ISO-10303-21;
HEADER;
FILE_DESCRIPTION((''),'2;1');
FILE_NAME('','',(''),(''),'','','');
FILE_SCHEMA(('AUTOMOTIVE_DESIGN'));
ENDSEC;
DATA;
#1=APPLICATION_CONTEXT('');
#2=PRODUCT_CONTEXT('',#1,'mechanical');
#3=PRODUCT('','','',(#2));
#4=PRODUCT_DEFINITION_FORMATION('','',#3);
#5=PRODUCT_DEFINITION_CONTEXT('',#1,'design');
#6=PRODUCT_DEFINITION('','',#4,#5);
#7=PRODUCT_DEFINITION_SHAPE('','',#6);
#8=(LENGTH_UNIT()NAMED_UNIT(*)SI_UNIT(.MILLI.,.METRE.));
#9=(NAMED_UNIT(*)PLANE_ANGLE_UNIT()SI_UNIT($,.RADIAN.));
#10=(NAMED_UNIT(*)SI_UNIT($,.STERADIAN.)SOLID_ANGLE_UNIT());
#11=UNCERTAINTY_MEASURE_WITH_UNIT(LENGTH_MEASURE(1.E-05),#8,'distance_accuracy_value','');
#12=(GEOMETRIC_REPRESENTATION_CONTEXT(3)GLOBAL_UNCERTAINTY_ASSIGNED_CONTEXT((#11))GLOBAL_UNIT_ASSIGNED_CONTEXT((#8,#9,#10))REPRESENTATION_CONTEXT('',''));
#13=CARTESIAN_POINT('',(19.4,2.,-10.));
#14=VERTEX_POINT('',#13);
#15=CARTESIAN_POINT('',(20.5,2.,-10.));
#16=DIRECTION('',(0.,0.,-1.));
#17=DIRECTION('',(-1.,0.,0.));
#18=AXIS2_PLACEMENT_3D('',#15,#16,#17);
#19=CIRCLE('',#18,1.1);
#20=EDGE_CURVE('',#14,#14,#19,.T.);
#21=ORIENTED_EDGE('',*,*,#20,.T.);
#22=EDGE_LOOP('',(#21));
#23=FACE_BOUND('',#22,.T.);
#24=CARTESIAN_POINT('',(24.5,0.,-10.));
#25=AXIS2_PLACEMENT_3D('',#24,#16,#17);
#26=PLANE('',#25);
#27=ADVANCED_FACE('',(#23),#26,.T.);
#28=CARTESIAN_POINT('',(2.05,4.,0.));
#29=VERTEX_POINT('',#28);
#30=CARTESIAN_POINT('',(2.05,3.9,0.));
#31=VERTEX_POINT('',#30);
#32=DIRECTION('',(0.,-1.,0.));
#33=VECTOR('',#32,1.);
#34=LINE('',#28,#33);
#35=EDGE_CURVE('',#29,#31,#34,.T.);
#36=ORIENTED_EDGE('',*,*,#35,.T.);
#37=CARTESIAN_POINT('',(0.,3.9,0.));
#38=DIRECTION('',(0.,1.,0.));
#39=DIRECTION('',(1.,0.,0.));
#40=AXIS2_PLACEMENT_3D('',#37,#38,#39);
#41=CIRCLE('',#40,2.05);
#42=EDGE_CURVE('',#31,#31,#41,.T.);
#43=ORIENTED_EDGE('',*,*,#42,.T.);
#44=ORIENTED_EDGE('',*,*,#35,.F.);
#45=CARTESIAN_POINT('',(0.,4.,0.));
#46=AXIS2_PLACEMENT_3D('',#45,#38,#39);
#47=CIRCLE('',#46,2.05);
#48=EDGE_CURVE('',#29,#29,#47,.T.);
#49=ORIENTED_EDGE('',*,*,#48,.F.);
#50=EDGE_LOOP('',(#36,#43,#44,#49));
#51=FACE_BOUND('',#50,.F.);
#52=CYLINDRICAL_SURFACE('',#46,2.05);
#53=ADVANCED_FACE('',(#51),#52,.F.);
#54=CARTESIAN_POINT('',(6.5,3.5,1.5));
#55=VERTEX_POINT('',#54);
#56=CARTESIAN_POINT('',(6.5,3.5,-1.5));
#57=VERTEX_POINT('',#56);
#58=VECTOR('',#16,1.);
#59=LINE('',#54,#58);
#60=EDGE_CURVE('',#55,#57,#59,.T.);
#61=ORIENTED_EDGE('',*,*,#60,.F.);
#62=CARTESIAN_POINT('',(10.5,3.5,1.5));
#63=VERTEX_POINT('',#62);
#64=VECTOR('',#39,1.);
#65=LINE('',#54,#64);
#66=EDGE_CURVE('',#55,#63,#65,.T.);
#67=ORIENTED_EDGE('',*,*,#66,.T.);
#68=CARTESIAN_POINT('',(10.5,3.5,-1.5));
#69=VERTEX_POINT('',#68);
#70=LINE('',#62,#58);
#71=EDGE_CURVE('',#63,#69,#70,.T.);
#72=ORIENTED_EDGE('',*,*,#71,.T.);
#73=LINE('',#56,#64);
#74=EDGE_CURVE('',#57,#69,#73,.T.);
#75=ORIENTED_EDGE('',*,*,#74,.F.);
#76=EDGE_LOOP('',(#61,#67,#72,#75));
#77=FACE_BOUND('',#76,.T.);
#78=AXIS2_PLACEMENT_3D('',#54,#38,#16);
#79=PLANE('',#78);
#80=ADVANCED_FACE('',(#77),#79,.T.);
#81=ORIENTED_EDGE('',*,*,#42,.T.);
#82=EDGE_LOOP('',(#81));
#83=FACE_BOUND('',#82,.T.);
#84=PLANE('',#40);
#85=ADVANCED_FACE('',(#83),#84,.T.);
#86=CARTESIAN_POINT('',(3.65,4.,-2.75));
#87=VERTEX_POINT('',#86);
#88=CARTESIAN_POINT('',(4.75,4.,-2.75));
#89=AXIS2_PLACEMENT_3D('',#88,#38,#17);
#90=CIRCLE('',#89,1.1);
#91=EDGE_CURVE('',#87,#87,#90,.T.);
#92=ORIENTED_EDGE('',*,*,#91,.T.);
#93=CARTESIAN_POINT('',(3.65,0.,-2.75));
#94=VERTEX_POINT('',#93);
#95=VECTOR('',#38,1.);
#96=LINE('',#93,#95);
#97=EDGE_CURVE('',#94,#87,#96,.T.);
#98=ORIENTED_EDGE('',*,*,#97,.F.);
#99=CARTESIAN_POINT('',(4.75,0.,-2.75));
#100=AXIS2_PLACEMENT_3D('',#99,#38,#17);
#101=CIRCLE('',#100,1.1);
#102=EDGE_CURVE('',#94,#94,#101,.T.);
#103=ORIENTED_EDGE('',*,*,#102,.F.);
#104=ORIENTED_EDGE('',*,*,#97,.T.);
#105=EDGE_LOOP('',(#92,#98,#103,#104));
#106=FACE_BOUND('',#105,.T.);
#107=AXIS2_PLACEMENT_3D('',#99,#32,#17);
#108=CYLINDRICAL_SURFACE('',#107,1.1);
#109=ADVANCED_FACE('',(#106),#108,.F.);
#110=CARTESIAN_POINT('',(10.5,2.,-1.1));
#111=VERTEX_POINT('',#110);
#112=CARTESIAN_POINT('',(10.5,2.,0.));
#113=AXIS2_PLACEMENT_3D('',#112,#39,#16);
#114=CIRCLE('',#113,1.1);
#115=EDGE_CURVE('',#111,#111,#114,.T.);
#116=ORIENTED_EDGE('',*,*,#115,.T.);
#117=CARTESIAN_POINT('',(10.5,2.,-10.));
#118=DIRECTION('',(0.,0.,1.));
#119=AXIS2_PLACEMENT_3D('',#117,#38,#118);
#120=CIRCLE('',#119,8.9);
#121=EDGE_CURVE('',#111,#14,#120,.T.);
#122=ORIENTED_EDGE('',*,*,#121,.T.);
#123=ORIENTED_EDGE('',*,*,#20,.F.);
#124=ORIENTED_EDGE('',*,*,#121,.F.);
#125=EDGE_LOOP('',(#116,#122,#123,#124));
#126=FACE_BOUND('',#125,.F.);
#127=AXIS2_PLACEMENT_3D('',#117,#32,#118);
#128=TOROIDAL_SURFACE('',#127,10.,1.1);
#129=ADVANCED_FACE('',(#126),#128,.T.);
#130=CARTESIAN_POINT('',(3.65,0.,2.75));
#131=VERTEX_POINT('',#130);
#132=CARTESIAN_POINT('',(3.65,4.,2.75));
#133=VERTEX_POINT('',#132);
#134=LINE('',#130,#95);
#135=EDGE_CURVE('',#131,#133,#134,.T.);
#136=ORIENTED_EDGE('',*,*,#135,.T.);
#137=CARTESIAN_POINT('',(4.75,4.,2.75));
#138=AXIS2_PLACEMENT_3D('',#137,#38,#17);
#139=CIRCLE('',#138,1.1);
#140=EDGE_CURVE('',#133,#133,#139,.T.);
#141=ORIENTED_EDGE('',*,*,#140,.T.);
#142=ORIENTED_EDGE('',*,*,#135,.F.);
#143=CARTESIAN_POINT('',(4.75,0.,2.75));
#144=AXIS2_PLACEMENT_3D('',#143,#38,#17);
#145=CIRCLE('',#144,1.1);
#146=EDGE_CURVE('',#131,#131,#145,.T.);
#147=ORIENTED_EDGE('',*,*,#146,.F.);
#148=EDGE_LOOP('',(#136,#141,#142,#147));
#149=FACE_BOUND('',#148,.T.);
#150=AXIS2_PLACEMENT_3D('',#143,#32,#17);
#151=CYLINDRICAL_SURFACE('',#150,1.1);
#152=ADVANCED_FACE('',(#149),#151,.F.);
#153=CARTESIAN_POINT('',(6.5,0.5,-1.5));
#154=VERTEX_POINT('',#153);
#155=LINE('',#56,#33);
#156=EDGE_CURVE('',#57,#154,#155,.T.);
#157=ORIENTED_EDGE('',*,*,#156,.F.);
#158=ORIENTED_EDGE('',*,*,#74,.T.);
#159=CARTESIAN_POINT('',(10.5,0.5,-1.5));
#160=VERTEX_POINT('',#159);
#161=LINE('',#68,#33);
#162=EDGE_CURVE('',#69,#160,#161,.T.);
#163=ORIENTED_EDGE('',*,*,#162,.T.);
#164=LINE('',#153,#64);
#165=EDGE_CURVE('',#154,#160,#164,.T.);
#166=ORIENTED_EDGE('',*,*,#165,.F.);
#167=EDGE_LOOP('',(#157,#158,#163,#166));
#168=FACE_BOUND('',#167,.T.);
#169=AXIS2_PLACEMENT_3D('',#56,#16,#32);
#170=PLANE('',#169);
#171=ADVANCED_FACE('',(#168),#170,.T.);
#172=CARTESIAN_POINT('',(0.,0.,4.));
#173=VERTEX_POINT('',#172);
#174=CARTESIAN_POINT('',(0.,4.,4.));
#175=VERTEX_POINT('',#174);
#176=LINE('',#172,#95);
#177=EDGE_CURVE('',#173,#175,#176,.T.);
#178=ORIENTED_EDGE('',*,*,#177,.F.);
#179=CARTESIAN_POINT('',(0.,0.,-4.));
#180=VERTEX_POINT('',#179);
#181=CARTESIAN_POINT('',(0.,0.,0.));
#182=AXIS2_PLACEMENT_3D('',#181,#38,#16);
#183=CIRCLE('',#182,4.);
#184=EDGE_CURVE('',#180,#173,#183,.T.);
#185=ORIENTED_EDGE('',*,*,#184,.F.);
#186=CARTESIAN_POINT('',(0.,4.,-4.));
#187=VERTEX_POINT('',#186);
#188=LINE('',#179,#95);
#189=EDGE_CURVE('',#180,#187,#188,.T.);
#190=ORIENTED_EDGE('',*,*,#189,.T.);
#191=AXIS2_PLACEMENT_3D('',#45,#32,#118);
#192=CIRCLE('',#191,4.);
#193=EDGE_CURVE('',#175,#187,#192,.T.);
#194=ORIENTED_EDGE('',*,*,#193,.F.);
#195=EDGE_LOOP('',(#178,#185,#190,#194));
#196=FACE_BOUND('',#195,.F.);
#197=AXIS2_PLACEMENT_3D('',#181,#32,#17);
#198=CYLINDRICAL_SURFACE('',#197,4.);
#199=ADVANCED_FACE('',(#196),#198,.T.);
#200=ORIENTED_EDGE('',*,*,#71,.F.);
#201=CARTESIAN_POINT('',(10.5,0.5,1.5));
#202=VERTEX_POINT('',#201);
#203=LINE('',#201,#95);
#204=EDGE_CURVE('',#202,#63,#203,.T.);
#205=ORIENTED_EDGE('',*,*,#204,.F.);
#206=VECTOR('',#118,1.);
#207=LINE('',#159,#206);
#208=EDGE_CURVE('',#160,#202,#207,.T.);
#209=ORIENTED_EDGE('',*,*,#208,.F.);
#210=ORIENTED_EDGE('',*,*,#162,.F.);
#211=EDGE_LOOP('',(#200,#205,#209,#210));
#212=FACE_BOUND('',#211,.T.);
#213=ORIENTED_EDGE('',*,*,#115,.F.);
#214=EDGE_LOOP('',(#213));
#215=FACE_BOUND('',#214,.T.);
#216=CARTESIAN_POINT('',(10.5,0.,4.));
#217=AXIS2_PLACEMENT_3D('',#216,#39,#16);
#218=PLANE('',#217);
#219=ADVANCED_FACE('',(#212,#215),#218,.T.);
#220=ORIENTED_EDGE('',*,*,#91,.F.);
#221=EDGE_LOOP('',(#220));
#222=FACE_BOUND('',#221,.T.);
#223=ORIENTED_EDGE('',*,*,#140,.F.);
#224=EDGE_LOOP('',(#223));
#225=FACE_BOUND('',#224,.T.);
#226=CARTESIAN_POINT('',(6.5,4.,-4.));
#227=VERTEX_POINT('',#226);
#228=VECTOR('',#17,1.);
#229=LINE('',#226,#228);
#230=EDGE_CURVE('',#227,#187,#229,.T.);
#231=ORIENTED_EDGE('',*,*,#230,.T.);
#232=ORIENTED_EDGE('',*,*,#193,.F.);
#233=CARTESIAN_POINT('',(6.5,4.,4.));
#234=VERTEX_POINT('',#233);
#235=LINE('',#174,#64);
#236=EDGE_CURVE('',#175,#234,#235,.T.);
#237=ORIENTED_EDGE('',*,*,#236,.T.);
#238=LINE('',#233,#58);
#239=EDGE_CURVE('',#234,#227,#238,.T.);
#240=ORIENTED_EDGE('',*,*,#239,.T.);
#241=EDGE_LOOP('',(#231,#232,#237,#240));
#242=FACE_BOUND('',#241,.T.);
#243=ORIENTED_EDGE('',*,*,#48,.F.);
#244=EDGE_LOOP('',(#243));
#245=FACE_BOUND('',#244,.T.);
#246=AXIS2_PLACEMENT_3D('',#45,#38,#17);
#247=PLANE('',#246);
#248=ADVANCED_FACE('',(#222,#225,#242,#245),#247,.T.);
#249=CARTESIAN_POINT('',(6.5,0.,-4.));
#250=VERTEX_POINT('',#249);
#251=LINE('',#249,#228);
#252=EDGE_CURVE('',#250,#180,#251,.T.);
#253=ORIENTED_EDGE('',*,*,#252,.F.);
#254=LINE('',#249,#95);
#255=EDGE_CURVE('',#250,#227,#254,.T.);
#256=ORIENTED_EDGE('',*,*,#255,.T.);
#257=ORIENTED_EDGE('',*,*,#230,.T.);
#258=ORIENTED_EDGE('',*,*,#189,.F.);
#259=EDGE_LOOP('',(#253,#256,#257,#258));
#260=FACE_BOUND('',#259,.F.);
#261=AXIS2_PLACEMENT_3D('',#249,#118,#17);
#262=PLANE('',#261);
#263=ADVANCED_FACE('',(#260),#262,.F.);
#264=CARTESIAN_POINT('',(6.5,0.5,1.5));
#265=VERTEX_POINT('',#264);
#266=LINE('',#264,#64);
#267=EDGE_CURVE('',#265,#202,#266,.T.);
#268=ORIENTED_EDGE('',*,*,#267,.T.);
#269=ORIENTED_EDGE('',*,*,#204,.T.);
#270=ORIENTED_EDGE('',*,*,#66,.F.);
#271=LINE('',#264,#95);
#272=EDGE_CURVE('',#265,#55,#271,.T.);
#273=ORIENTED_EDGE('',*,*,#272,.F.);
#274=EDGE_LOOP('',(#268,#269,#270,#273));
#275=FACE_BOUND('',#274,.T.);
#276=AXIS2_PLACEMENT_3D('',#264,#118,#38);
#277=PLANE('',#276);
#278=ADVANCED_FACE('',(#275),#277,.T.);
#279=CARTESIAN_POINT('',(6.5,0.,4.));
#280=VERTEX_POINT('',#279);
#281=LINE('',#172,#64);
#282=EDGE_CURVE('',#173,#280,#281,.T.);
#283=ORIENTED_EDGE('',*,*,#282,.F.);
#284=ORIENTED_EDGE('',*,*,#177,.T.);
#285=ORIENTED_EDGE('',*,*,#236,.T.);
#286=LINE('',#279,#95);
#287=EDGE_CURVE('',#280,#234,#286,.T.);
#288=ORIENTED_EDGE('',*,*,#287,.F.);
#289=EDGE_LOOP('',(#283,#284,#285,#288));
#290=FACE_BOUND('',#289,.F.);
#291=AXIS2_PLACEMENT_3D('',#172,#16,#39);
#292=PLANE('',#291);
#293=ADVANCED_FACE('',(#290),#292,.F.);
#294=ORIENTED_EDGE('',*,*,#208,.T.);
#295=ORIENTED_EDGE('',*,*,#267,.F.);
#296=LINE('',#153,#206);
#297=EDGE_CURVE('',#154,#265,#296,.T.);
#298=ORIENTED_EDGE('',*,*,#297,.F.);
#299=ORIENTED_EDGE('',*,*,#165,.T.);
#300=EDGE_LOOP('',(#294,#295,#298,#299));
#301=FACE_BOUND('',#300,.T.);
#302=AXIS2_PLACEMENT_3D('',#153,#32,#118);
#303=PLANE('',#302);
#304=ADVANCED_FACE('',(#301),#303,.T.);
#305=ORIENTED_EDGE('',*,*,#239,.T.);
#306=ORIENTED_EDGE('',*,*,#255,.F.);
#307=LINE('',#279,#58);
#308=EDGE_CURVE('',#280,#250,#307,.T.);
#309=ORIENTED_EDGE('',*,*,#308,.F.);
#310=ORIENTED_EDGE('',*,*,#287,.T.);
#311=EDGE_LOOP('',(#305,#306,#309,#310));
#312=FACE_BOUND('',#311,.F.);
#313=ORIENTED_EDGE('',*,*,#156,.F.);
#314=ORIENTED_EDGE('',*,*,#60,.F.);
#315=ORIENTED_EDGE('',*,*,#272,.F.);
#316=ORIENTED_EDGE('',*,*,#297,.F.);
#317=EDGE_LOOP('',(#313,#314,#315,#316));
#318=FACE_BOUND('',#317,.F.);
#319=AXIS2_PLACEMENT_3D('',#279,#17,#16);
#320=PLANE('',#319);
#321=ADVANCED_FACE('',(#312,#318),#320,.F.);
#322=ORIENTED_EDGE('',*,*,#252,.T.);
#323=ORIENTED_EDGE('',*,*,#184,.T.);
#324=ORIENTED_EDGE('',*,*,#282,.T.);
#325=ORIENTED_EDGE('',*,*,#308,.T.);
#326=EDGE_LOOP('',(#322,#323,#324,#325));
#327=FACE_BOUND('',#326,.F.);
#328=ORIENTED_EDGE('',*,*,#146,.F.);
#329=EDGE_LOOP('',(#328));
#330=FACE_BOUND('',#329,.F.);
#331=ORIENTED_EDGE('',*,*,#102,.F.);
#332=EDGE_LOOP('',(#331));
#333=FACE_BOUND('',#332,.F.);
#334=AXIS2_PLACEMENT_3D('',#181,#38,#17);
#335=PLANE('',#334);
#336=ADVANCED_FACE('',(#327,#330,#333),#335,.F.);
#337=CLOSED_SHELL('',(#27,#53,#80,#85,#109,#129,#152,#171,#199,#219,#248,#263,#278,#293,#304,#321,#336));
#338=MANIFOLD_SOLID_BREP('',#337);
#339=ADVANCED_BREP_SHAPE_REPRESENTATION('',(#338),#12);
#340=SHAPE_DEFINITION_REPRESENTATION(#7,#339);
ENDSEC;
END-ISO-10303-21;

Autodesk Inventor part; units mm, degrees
ref_plane "YZ Plane" through (0, 0, 0) normal (1, 0, 0) x (0, 1, 0)
sketch "Sketch1" plane through (0, 0, 0) normal (0, 1, 0) x (-1, 0, 0)
  circle A0 centre (0, 0) radius 4
  line L0 (0, 4) -> (-6.5, 4)
  line L1 (-6.5, 4) -> (-6.5, -4)
  line L2 (-6.5, -4) -> (0, -4)
  line L3 (0, -4) -> (0, 4)
  circle A1 centre (-4.75, 2.75) radius 1.1
  circle A2 centre (-4.75, -2.75) radius 1.1
  point P0 (-6.5, 0)
  dimension "d0" = 8
  dimension "d1" = 6.5
  dimension "d2" = 5.5
  dimension "d3" = 2.75
  dimension "d4" = 1.75
  dimension "d5" = 1.75
  dimension "d6" = 2.2
  dimension "d7" = 2.2
extrude "Extrusion1" add sketch "Sketch1" along normal blind 4
sketch "Sketch2" plane through (6.5, 0, 4) normal (1, 0, 0) x (0, 0, -1)
  line L0 (2.5, 3.5) -> (5.5, 3.5)
  line L1 (5.5, 3.5) -> (5.5, 0.5)
  line L2 (5.5, 0.5) -> (2.5, 0.5)
  line L3 (2.5, 0.5) -> (2.5, 3.5)
  line L4 (0, 4) -> (8, 4) projected
  line L5 (8, 0) -> (8, 4) projected
  point P0 (4, 0)
  dimension "d10" = 3
  dimension "d11" = 3
  dimension "d12" = 0.5
  dimension "d13" = 5.5
extrude "Extrusion2" add sketch "Sketch2" along normal blind 4
sketch "Sketch3" plane through (0, 4, 0) normal (0, 1, 0) x (1, 0, 0)
  circle A0 centre (0, 0) radius 2.05
  dimension "d16" = 4.1
extrude "Extrusion3" cut sketch "Sketch3" against normal blind 0.1
sketch "Sketch4" plane through (10.5, 0, 4) normal (1, 0, 0) x (0, 0, -1)
  circle A0 centre (4, 2) radius 1.1
  point P0 (4, 0)
  dimension "d19" = 2.2
ref_plane "Work Plane2" through (6.5, 0.5, -10) normal (0, 0, 1) x (1, 0, 0)
ref_plane "Work Plane1" through (6.5, 0.5, 0) normal (0, 0, 1) x (1, 0, 0)
sketch "Sketch5" plane through (6.5, 0.5, -10) normal (0, 0, 1) x (1, 0, 0)
  circle A0 centre (14, 1.7321) radius 1.1
  line L0 (4, 0) -> (4, 3) projected
  point P0 (-6.5, -0.5)
  dimension "d23" = 10
  dimension "d24" = 2.2
ref_plane "Work Plane3" through (6.5, 2, -1.5) normal (0, -1, 0) x (1, 0, 0)
sketch "Sketch6" plane through (6.5, 2, -1.5) normal (0, -1, 0) x (1, 0, 0)
  circle A0 centre (4, -8.5) radius 10
  line L0 (4, 3) -> (4, 0) projected
  point P0 (-6.5, 1.5)
  point P1 (4, 1.5)
  dimension "d25" = 20
  dimension "d26" = 10
revolve "Revolution1" add sketch "Sketch4" angle 90 about axis through (10.5, 0.5, -10) along (0, 1, 0)
equation "\"d3\" = 0.5 * d2"
equation "\"d5\" = d4"
equation "\"d6\" = d7"
properties part number "CapacitiveSensor"
